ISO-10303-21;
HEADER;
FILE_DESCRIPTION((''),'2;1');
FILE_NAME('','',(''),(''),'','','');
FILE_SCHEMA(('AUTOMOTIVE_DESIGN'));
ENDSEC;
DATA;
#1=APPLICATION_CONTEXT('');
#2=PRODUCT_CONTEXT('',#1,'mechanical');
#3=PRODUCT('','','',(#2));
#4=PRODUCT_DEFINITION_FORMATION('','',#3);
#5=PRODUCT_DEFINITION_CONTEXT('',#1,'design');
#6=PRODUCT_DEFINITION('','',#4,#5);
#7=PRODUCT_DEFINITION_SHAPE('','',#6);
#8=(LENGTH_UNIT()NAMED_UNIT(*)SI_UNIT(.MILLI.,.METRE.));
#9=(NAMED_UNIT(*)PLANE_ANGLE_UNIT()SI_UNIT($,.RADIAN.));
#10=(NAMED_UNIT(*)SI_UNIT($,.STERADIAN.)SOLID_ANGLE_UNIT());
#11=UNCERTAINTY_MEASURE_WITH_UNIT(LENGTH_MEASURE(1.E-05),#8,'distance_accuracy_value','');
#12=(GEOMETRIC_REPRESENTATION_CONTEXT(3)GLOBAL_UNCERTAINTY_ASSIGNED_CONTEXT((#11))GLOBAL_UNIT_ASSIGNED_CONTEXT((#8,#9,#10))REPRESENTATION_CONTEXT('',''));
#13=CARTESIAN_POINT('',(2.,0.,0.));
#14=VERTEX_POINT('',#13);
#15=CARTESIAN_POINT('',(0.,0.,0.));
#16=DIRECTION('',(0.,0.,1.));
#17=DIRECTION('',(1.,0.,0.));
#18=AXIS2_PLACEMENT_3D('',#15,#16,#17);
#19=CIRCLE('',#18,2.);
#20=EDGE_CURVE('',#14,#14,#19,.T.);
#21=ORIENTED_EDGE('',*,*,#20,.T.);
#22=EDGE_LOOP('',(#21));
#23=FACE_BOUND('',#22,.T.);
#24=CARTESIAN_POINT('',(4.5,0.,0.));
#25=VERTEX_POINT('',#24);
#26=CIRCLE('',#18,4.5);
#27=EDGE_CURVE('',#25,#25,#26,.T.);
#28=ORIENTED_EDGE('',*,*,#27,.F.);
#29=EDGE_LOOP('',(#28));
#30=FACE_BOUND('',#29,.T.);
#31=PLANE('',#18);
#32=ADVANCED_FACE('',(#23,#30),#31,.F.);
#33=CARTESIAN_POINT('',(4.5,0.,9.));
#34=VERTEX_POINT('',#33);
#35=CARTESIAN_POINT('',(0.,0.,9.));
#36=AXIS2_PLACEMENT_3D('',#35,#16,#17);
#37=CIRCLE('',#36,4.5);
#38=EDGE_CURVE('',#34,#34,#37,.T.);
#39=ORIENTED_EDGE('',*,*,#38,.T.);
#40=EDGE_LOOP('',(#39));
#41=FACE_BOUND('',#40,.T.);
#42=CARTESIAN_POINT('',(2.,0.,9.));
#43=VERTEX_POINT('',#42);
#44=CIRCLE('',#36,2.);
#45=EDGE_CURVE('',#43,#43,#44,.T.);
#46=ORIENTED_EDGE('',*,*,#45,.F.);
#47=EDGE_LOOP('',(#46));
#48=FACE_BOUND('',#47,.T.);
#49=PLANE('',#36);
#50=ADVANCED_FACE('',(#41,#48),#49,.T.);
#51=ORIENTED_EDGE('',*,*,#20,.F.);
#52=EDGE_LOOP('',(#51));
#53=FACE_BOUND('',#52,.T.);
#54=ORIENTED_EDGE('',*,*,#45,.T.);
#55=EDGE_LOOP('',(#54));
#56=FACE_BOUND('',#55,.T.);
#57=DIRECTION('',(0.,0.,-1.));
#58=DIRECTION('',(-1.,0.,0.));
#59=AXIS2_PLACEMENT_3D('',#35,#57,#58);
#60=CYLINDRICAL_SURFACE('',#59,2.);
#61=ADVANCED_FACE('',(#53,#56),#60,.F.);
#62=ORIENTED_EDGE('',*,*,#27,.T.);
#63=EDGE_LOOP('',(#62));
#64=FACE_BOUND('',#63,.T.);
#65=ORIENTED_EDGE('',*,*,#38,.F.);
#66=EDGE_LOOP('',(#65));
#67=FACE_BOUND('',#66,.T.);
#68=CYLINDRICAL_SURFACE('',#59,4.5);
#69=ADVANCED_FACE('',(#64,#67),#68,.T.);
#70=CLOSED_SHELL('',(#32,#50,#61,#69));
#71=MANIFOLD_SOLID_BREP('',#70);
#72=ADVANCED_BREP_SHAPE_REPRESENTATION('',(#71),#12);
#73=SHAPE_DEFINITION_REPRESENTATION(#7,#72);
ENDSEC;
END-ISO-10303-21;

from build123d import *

# Parameters (mm, degrees)
SKIZZE1_R                       = 4.5
SKIZZE1_R_2                     = 2
AUFSATZ_LINEAR_AUSTRAGEN1_DEPTH = 9


with BuildPart() as part:
    # Skizze1 → Aufsatz-Linear austragen1 (new body)
    with BuildSketch(Plane.XY):
        Circle(SKIZZE1_R)
        Circle(SKIZZE1_R_2, mode=Mode.SUBTRACT)
    extrude(amount=AUFSATZ_LINEAR_AUSTRAGEN1_DEPTH)


solid = part.part
